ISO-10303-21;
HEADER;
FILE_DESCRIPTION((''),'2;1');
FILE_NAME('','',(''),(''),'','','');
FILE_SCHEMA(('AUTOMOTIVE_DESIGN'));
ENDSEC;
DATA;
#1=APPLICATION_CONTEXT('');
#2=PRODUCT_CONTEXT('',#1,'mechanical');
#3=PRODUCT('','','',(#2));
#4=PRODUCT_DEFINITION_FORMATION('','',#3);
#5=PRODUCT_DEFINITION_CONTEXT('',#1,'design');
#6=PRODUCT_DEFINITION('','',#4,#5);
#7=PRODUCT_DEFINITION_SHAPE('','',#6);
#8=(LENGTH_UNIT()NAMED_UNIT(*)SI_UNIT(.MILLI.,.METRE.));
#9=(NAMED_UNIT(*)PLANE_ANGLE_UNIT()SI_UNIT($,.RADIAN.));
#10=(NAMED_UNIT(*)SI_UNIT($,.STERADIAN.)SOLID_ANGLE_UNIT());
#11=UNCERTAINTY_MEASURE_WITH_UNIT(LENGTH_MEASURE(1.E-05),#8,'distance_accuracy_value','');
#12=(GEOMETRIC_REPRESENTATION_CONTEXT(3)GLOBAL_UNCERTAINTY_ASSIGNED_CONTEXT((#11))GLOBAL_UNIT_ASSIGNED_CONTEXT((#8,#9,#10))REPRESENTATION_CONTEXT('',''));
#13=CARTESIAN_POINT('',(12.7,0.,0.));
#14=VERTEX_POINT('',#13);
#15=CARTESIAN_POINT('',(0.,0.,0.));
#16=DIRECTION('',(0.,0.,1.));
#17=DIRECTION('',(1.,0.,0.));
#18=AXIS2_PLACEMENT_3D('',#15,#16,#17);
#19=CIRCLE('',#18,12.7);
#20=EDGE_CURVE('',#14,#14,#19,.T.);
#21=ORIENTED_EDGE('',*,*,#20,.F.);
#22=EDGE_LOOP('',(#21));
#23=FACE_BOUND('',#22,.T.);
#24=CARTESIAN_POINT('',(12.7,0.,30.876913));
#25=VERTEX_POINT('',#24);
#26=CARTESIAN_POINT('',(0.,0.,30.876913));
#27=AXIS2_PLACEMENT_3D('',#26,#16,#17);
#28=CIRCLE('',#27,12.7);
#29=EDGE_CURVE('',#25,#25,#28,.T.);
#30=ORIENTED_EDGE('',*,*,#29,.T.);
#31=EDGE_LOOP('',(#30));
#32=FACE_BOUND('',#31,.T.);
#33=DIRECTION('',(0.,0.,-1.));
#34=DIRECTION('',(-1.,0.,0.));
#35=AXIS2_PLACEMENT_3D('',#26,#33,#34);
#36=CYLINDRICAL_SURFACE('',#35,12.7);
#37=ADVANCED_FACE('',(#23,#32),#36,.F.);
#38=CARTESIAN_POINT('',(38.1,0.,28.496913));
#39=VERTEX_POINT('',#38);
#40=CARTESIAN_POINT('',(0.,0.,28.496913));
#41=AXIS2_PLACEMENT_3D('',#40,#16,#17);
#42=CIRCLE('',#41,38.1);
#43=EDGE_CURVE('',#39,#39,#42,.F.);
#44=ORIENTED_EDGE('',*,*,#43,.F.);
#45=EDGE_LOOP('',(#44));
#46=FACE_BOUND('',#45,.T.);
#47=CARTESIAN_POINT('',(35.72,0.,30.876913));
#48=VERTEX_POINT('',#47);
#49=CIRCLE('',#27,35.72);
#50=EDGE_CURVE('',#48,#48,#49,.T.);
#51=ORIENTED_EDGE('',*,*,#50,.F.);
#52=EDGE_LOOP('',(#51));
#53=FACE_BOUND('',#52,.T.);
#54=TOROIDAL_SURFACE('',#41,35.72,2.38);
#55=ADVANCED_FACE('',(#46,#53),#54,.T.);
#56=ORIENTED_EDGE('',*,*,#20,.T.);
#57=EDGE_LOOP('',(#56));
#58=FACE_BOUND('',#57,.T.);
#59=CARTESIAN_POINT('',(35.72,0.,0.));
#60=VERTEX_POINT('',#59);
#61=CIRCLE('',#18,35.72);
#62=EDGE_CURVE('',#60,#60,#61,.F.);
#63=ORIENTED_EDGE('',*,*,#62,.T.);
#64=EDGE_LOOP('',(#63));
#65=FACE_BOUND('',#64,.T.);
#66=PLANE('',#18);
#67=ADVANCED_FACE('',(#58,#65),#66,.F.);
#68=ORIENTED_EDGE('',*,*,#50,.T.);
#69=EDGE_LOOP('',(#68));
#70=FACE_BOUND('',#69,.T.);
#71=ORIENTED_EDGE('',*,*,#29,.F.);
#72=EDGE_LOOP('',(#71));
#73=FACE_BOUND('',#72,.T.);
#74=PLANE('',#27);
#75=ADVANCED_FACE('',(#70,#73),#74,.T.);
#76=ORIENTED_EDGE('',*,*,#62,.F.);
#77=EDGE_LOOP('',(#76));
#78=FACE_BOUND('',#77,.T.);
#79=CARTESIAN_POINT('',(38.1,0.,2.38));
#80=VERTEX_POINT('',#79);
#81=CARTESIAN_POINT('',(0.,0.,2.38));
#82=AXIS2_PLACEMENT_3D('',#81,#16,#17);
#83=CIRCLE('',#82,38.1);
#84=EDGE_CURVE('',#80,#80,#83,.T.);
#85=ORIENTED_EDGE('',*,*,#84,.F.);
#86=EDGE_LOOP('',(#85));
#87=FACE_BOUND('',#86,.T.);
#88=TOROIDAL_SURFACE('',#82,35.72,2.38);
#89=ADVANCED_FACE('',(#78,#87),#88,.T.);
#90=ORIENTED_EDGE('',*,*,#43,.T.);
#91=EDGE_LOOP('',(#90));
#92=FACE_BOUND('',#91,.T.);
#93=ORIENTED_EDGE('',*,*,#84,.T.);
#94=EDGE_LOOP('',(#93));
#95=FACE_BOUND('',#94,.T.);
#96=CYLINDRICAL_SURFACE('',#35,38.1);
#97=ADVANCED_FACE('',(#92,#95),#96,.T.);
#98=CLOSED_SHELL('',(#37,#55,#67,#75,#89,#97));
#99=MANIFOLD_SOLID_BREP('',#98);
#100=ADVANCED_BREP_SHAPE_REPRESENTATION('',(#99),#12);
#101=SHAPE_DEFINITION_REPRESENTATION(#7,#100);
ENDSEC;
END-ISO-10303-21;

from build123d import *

# Parameters (mm, degrees)
SKETCH1_R           = 38.1
SKETCH1_R_2         = 12.7
EXTRUDE_THIN1_DEPTH = 30.876912538
FILLET1_R           = 2.38


with BuildPart() as part:
    # Sketch1 → Extrude-Thin1 (new body)
    with BuildSketch(Plane.XY):
        Circle(SKETCH1_R)
        Circle(SKETCH1_R_2, mode=Mode.SUBTRACT)
    extrude(amount=EXTRUDE_THIN1_DEPTH)

    # Fillet1
    fillet1_edges = [part.edges().sort_by_distance(p)[0] for p in [
        (-38.1, 0, 0),
        (-38.1, 0, 30.876912538),
    ]]
    fillet(fillet1_edges, radius=FILLET1_R)


solid = part.part
